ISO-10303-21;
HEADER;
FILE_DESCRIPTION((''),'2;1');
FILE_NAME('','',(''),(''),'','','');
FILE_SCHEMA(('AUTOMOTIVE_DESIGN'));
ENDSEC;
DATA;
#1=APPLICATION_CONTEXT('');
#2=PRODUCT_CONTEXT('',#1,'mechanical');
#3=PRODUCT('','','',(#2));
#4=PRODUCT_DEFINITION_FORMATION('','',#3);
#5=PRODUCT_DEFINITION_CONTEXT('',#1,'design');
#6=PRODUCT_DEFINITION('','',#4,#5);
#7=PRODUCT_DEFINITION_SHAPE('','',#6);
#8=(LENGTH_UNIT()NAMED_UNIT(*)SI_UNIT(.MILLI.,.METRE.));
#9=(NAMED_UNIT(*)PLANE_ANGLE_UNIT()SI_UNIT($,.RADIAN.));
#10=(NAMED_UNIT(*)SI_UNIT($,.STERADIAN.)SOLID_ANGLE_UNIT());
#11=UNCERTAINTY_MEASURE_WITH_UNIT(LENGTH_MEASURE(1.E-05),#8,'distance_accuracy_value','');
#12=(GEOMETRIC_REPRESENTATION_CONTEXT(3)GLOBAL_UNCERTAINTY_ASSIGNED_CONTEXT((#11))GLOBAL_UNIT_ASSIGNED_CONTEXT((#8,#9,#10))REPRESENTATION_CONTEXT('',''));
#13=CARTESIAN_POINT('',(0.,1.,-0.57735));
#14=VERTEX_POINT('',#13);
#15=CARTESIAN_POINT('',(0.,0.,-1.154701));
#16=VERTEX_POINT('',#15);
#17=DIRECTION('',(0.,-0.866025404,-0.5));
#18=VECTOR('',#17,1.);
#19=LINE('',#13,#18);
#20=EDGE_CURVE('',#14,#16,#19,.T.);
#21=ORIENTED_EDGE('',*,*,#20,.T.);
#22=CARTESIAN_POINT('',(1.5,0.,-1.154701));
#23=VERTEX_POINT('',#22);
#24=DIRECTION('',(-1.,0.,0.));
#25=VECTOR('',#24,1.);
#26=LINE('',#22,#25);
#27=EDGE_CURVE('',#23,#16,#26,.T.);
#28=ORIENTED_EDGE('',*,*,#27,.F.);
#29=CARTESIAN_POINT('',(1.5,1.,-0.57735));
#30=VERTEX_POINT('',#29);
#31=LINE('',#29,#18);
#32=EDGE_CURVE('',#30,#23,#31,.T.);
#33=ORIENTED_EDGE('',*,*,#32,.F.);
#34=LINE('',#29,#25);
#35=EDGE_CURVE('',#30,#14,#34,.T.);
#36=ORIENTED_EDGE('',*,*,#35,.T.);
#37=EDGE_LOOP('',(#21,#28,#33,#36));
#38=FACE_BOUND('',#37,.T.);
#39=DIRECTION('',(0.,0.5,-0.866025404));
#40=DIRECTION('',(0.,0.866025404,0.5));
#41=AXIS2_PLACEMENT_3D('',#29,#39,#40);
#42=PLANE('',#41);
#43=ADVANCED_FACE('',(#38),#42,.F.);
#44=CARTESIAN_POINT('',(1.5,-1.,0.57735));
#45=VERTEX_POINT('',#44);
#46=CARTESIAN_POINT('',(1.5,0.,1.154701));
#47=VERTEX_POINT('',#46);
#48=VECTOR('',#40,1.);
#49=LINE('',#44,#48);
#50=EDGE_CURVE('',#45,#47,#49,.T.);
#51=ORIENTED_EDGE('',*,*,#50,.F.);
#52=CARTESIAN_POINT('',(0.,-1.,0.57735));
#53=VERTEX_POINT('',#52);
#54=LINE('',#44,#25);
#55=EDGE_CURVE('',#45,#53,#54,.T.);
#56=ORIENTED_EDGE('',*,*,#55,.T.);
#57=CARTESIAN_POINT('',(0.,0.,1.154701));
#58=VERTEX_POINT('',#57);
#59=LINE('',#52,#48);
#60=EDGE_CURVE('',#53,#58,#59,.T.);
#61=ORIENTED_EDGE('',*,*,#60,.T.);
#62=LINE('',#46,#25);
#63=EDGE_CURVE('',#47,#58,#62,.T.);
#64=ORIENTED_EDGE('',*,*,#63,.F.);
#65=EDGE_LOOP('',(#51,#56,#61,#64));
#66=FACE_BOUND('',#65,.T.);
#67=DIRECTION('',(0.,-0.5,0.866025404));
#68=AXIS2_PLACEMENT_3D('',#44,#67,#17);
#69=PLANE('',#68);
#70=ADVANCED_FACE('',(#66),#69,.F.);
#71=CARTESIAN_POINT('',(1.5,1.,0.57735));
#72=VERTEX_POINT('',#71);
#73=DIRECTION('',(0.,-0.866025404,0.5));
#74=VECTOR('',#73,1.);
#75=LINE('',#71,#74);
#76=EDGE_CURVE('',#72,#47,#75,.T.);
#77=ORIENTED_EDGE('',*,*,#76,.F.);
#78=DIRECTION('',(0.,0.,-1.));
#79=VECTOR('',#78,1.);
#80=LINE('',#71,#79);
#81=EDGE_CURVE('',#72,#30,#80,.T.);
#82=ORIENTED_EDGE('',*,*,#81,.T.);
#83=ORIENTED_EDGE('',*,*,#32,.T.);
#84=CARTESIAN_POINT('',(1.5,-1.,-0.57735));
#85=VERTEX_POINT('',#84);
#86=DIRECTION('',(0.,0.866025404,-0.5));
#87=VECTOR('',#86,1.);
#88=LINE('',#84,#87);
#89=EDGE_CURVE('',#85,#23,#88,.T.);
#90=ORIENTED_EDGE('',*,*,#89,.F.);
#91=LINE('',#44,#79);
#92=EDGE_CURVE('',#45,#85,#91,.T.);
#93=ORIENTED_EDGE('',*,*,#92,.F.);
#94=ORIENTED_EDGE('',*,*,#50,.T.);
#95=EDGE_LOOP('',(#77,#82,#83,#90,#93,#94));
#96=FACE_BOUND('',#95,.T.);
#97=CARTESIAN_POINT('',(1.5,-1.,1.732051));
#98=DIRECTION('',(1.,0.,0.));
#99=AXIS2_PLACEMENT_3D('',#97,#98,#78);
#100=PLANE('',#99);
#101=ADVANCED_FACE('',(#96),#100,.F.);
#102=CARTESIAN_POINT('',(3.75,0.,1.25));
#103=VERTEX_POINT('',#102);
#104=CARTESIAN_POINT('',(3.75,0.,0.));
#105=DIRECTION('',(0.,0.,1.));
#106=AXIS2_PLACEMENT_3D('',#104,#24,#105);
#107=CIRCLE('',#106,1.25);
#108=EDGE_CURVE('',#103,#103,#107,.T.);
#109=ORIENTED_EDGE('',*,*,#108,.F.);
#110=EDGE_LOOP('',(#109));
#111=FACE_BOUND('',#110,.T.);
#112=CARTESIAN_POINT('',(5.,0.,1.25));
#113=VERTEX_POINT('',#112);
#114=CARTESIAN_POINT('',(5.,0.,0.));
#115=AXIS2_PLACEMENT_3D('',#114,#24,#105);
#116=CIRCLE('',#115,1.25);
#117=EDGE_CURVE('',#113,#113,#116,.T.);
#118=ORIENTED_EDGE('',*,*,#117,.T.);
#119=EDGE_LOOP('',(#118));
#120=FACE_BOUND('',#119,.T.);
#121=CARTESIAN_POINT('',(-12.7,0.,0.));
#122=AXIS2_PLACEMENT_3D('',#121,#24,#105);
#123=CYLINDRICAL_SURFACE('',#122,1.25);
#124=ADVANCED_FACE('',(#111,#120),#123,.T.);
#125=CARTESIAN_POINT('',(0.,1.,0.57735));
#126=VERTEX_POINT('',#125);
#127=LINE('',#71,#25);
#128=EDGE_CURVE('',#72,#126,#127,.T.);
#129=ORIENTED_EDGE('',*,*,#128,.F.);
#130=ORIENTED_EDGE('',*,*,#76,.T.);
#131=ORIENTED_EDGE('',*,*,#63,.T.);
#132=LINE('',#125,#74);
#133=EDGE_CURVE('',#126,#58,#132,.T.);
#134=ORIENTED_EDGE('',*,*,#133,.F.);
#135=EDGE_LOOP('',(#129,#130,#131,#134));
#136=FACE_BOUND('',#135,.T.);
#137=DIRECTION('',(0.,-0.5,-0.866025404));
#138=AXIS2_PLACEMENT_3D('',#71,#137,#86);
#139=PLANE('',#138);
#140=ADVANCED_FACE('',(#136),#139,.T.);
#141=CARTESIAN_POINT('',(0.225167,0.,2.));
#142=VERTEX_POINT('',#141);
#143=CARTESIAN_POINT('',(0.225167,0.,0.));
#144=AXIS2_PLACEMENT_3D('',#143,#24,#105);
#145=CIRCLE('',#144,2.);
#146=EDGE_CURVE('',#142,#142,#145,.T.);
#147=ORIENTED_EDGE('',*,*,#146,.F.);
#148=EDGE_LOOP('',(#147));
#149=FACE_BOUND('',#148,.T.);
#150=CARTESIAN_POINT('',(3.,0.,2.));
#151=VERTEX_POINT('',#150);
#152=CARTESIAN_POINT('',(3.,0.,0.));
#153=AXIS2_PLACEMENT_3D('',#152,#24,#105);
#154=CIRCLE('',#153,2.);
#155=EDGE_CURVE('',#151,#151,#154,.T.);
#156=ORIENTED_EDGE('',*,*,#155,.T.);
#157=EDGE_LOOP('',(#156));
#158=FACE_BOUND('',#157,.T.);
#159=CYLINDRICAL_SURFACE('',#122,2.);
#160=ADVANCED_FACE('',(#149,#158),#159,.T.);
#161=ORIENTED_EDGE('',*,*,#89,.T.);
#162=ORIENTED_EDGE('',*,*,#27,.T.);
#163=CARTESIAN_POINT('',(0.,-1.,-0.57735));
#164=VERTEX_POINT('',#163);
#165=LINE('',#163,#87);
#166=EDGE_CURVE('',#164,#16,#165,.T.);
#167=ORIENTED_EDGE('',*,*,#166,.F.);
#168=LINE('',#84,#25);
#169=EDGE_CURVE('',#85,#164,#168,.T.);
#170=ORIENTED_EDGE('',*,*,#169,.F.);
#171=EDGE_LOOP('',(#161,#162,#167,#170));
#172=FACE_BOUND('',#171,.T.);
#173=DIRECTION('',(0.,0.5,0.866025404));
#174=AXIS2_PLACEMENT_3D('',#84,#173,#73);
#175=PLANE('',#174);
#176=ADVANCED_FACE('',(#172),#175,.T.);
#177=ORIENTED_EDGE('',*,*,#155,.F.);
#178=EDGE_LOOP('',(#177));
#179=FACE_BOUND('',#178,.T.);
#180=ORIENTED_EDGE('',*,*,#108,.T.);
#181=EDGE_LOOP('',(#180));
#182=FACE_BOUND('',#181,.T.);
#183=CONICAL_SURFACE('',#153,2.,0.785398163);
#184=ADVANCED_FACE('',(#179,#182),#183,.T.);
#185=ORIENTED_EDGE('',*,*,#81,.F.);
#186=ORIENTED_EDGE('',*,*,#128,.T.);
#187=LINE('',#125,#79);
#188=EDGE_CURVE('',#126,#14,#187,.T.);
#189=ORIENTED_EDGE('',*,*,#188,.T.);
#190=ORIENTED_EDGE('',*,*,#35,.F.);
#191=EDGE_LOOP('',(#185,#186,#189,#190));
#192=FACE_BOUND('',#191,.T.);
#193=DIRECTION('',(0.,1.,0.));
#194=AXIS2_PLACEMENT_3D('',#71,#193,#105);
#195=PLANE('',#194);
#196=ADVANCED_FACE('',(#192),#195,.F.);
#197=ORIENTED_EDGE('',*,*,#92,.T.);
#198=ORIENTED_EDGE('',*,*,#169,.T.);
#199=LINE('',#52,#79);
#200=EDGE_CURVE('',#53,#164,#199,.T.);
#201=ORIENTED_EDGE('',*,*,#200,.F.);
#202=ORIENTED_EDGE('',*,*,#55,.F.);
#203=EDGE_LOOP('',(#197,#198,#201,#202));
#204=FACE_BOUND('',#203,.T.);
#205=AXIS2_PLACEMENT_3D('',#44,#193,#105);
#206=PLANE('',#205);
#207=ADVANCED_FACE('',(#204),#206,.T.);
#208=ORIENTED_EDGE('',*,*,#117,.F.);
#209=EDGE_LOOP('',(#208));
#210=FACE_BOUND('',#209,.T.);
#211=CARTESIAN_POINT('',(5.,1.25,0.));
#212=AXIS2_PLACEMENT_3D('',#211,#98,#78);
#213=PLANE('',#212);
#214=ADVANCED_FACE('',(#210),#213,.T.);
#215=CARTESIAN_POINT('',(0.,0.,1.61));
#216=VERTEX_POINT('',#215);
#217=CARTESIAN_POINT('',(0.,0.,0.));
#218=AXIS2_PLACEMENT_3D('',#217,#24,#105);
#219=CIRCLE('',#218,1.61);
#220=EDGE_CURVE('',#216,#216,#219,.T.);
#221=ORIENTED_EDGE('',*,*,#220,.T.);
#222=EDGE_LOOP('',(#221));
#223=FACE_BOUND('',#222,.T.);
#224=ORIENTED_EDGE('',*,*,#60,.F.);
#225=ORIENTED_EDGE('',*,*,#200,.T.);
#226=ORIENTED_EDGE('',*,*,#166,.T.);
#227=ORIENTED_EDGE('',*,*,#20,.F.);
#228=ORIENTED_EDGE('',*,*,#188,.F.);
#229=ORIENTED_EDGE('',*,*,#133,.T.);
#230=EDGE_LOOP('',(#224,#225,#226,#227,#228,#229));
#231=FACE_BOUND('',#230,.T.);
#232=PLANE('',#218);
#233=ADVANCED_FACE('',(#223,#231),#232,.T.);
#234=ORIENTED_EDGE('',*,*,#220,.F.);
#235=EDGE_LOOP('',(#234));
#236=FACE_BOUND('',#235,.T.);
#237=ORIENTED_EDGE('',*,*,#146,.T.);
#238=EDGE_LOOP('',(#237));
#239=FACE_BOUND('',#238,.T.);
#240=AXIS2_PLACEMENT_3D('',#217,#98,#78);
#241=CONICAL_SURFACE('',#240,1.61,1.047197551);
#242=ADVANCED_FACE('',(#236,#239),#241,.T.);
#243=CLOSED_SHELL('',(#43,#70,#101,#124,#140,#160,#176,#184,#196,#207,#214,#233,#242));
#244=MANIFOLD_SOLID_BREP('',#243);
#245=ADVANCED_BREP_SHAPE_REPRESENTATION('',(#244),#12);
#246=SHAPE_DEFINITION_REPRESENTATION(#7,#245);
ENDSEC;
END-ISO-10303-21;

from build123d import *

# Parameters (mm, degrees)
HEX_2_DEPTH = 1.5


with BuildPart() as part:
    # BodySke → BaseBody (revolve)
    with BuildSketch(Plane.XY, mode=Mode.PRIVATE) as basebody_sk:
        Polygon((0, 0), (0, 1.61), (0.225166605, 2), (3, 2), (3.75, 1.25), (5, 1.25), (5, 0), align=None)
    revolve(basebody_sk.sketch.rotate(Axis((-12.7, 0, 0), (1, 0, 0)), 90), axis=Axis((-12.7, 0, 0), (1, 0, 0)))

    # Sketch2 → Hex 2 (cut)
    with BuildSketch(Plane.ZY):
        Polygon((0.577350269, 1), (-0.577350269, 1), (-1.154700538, 0), (-0.577350269, -1), (0.577350269, -1), (1.154700538, 0), align=None)
    extrude(amount=-HEX_2_DEPTH, mode=Mode.SUBTRACT)


solid = part.part
